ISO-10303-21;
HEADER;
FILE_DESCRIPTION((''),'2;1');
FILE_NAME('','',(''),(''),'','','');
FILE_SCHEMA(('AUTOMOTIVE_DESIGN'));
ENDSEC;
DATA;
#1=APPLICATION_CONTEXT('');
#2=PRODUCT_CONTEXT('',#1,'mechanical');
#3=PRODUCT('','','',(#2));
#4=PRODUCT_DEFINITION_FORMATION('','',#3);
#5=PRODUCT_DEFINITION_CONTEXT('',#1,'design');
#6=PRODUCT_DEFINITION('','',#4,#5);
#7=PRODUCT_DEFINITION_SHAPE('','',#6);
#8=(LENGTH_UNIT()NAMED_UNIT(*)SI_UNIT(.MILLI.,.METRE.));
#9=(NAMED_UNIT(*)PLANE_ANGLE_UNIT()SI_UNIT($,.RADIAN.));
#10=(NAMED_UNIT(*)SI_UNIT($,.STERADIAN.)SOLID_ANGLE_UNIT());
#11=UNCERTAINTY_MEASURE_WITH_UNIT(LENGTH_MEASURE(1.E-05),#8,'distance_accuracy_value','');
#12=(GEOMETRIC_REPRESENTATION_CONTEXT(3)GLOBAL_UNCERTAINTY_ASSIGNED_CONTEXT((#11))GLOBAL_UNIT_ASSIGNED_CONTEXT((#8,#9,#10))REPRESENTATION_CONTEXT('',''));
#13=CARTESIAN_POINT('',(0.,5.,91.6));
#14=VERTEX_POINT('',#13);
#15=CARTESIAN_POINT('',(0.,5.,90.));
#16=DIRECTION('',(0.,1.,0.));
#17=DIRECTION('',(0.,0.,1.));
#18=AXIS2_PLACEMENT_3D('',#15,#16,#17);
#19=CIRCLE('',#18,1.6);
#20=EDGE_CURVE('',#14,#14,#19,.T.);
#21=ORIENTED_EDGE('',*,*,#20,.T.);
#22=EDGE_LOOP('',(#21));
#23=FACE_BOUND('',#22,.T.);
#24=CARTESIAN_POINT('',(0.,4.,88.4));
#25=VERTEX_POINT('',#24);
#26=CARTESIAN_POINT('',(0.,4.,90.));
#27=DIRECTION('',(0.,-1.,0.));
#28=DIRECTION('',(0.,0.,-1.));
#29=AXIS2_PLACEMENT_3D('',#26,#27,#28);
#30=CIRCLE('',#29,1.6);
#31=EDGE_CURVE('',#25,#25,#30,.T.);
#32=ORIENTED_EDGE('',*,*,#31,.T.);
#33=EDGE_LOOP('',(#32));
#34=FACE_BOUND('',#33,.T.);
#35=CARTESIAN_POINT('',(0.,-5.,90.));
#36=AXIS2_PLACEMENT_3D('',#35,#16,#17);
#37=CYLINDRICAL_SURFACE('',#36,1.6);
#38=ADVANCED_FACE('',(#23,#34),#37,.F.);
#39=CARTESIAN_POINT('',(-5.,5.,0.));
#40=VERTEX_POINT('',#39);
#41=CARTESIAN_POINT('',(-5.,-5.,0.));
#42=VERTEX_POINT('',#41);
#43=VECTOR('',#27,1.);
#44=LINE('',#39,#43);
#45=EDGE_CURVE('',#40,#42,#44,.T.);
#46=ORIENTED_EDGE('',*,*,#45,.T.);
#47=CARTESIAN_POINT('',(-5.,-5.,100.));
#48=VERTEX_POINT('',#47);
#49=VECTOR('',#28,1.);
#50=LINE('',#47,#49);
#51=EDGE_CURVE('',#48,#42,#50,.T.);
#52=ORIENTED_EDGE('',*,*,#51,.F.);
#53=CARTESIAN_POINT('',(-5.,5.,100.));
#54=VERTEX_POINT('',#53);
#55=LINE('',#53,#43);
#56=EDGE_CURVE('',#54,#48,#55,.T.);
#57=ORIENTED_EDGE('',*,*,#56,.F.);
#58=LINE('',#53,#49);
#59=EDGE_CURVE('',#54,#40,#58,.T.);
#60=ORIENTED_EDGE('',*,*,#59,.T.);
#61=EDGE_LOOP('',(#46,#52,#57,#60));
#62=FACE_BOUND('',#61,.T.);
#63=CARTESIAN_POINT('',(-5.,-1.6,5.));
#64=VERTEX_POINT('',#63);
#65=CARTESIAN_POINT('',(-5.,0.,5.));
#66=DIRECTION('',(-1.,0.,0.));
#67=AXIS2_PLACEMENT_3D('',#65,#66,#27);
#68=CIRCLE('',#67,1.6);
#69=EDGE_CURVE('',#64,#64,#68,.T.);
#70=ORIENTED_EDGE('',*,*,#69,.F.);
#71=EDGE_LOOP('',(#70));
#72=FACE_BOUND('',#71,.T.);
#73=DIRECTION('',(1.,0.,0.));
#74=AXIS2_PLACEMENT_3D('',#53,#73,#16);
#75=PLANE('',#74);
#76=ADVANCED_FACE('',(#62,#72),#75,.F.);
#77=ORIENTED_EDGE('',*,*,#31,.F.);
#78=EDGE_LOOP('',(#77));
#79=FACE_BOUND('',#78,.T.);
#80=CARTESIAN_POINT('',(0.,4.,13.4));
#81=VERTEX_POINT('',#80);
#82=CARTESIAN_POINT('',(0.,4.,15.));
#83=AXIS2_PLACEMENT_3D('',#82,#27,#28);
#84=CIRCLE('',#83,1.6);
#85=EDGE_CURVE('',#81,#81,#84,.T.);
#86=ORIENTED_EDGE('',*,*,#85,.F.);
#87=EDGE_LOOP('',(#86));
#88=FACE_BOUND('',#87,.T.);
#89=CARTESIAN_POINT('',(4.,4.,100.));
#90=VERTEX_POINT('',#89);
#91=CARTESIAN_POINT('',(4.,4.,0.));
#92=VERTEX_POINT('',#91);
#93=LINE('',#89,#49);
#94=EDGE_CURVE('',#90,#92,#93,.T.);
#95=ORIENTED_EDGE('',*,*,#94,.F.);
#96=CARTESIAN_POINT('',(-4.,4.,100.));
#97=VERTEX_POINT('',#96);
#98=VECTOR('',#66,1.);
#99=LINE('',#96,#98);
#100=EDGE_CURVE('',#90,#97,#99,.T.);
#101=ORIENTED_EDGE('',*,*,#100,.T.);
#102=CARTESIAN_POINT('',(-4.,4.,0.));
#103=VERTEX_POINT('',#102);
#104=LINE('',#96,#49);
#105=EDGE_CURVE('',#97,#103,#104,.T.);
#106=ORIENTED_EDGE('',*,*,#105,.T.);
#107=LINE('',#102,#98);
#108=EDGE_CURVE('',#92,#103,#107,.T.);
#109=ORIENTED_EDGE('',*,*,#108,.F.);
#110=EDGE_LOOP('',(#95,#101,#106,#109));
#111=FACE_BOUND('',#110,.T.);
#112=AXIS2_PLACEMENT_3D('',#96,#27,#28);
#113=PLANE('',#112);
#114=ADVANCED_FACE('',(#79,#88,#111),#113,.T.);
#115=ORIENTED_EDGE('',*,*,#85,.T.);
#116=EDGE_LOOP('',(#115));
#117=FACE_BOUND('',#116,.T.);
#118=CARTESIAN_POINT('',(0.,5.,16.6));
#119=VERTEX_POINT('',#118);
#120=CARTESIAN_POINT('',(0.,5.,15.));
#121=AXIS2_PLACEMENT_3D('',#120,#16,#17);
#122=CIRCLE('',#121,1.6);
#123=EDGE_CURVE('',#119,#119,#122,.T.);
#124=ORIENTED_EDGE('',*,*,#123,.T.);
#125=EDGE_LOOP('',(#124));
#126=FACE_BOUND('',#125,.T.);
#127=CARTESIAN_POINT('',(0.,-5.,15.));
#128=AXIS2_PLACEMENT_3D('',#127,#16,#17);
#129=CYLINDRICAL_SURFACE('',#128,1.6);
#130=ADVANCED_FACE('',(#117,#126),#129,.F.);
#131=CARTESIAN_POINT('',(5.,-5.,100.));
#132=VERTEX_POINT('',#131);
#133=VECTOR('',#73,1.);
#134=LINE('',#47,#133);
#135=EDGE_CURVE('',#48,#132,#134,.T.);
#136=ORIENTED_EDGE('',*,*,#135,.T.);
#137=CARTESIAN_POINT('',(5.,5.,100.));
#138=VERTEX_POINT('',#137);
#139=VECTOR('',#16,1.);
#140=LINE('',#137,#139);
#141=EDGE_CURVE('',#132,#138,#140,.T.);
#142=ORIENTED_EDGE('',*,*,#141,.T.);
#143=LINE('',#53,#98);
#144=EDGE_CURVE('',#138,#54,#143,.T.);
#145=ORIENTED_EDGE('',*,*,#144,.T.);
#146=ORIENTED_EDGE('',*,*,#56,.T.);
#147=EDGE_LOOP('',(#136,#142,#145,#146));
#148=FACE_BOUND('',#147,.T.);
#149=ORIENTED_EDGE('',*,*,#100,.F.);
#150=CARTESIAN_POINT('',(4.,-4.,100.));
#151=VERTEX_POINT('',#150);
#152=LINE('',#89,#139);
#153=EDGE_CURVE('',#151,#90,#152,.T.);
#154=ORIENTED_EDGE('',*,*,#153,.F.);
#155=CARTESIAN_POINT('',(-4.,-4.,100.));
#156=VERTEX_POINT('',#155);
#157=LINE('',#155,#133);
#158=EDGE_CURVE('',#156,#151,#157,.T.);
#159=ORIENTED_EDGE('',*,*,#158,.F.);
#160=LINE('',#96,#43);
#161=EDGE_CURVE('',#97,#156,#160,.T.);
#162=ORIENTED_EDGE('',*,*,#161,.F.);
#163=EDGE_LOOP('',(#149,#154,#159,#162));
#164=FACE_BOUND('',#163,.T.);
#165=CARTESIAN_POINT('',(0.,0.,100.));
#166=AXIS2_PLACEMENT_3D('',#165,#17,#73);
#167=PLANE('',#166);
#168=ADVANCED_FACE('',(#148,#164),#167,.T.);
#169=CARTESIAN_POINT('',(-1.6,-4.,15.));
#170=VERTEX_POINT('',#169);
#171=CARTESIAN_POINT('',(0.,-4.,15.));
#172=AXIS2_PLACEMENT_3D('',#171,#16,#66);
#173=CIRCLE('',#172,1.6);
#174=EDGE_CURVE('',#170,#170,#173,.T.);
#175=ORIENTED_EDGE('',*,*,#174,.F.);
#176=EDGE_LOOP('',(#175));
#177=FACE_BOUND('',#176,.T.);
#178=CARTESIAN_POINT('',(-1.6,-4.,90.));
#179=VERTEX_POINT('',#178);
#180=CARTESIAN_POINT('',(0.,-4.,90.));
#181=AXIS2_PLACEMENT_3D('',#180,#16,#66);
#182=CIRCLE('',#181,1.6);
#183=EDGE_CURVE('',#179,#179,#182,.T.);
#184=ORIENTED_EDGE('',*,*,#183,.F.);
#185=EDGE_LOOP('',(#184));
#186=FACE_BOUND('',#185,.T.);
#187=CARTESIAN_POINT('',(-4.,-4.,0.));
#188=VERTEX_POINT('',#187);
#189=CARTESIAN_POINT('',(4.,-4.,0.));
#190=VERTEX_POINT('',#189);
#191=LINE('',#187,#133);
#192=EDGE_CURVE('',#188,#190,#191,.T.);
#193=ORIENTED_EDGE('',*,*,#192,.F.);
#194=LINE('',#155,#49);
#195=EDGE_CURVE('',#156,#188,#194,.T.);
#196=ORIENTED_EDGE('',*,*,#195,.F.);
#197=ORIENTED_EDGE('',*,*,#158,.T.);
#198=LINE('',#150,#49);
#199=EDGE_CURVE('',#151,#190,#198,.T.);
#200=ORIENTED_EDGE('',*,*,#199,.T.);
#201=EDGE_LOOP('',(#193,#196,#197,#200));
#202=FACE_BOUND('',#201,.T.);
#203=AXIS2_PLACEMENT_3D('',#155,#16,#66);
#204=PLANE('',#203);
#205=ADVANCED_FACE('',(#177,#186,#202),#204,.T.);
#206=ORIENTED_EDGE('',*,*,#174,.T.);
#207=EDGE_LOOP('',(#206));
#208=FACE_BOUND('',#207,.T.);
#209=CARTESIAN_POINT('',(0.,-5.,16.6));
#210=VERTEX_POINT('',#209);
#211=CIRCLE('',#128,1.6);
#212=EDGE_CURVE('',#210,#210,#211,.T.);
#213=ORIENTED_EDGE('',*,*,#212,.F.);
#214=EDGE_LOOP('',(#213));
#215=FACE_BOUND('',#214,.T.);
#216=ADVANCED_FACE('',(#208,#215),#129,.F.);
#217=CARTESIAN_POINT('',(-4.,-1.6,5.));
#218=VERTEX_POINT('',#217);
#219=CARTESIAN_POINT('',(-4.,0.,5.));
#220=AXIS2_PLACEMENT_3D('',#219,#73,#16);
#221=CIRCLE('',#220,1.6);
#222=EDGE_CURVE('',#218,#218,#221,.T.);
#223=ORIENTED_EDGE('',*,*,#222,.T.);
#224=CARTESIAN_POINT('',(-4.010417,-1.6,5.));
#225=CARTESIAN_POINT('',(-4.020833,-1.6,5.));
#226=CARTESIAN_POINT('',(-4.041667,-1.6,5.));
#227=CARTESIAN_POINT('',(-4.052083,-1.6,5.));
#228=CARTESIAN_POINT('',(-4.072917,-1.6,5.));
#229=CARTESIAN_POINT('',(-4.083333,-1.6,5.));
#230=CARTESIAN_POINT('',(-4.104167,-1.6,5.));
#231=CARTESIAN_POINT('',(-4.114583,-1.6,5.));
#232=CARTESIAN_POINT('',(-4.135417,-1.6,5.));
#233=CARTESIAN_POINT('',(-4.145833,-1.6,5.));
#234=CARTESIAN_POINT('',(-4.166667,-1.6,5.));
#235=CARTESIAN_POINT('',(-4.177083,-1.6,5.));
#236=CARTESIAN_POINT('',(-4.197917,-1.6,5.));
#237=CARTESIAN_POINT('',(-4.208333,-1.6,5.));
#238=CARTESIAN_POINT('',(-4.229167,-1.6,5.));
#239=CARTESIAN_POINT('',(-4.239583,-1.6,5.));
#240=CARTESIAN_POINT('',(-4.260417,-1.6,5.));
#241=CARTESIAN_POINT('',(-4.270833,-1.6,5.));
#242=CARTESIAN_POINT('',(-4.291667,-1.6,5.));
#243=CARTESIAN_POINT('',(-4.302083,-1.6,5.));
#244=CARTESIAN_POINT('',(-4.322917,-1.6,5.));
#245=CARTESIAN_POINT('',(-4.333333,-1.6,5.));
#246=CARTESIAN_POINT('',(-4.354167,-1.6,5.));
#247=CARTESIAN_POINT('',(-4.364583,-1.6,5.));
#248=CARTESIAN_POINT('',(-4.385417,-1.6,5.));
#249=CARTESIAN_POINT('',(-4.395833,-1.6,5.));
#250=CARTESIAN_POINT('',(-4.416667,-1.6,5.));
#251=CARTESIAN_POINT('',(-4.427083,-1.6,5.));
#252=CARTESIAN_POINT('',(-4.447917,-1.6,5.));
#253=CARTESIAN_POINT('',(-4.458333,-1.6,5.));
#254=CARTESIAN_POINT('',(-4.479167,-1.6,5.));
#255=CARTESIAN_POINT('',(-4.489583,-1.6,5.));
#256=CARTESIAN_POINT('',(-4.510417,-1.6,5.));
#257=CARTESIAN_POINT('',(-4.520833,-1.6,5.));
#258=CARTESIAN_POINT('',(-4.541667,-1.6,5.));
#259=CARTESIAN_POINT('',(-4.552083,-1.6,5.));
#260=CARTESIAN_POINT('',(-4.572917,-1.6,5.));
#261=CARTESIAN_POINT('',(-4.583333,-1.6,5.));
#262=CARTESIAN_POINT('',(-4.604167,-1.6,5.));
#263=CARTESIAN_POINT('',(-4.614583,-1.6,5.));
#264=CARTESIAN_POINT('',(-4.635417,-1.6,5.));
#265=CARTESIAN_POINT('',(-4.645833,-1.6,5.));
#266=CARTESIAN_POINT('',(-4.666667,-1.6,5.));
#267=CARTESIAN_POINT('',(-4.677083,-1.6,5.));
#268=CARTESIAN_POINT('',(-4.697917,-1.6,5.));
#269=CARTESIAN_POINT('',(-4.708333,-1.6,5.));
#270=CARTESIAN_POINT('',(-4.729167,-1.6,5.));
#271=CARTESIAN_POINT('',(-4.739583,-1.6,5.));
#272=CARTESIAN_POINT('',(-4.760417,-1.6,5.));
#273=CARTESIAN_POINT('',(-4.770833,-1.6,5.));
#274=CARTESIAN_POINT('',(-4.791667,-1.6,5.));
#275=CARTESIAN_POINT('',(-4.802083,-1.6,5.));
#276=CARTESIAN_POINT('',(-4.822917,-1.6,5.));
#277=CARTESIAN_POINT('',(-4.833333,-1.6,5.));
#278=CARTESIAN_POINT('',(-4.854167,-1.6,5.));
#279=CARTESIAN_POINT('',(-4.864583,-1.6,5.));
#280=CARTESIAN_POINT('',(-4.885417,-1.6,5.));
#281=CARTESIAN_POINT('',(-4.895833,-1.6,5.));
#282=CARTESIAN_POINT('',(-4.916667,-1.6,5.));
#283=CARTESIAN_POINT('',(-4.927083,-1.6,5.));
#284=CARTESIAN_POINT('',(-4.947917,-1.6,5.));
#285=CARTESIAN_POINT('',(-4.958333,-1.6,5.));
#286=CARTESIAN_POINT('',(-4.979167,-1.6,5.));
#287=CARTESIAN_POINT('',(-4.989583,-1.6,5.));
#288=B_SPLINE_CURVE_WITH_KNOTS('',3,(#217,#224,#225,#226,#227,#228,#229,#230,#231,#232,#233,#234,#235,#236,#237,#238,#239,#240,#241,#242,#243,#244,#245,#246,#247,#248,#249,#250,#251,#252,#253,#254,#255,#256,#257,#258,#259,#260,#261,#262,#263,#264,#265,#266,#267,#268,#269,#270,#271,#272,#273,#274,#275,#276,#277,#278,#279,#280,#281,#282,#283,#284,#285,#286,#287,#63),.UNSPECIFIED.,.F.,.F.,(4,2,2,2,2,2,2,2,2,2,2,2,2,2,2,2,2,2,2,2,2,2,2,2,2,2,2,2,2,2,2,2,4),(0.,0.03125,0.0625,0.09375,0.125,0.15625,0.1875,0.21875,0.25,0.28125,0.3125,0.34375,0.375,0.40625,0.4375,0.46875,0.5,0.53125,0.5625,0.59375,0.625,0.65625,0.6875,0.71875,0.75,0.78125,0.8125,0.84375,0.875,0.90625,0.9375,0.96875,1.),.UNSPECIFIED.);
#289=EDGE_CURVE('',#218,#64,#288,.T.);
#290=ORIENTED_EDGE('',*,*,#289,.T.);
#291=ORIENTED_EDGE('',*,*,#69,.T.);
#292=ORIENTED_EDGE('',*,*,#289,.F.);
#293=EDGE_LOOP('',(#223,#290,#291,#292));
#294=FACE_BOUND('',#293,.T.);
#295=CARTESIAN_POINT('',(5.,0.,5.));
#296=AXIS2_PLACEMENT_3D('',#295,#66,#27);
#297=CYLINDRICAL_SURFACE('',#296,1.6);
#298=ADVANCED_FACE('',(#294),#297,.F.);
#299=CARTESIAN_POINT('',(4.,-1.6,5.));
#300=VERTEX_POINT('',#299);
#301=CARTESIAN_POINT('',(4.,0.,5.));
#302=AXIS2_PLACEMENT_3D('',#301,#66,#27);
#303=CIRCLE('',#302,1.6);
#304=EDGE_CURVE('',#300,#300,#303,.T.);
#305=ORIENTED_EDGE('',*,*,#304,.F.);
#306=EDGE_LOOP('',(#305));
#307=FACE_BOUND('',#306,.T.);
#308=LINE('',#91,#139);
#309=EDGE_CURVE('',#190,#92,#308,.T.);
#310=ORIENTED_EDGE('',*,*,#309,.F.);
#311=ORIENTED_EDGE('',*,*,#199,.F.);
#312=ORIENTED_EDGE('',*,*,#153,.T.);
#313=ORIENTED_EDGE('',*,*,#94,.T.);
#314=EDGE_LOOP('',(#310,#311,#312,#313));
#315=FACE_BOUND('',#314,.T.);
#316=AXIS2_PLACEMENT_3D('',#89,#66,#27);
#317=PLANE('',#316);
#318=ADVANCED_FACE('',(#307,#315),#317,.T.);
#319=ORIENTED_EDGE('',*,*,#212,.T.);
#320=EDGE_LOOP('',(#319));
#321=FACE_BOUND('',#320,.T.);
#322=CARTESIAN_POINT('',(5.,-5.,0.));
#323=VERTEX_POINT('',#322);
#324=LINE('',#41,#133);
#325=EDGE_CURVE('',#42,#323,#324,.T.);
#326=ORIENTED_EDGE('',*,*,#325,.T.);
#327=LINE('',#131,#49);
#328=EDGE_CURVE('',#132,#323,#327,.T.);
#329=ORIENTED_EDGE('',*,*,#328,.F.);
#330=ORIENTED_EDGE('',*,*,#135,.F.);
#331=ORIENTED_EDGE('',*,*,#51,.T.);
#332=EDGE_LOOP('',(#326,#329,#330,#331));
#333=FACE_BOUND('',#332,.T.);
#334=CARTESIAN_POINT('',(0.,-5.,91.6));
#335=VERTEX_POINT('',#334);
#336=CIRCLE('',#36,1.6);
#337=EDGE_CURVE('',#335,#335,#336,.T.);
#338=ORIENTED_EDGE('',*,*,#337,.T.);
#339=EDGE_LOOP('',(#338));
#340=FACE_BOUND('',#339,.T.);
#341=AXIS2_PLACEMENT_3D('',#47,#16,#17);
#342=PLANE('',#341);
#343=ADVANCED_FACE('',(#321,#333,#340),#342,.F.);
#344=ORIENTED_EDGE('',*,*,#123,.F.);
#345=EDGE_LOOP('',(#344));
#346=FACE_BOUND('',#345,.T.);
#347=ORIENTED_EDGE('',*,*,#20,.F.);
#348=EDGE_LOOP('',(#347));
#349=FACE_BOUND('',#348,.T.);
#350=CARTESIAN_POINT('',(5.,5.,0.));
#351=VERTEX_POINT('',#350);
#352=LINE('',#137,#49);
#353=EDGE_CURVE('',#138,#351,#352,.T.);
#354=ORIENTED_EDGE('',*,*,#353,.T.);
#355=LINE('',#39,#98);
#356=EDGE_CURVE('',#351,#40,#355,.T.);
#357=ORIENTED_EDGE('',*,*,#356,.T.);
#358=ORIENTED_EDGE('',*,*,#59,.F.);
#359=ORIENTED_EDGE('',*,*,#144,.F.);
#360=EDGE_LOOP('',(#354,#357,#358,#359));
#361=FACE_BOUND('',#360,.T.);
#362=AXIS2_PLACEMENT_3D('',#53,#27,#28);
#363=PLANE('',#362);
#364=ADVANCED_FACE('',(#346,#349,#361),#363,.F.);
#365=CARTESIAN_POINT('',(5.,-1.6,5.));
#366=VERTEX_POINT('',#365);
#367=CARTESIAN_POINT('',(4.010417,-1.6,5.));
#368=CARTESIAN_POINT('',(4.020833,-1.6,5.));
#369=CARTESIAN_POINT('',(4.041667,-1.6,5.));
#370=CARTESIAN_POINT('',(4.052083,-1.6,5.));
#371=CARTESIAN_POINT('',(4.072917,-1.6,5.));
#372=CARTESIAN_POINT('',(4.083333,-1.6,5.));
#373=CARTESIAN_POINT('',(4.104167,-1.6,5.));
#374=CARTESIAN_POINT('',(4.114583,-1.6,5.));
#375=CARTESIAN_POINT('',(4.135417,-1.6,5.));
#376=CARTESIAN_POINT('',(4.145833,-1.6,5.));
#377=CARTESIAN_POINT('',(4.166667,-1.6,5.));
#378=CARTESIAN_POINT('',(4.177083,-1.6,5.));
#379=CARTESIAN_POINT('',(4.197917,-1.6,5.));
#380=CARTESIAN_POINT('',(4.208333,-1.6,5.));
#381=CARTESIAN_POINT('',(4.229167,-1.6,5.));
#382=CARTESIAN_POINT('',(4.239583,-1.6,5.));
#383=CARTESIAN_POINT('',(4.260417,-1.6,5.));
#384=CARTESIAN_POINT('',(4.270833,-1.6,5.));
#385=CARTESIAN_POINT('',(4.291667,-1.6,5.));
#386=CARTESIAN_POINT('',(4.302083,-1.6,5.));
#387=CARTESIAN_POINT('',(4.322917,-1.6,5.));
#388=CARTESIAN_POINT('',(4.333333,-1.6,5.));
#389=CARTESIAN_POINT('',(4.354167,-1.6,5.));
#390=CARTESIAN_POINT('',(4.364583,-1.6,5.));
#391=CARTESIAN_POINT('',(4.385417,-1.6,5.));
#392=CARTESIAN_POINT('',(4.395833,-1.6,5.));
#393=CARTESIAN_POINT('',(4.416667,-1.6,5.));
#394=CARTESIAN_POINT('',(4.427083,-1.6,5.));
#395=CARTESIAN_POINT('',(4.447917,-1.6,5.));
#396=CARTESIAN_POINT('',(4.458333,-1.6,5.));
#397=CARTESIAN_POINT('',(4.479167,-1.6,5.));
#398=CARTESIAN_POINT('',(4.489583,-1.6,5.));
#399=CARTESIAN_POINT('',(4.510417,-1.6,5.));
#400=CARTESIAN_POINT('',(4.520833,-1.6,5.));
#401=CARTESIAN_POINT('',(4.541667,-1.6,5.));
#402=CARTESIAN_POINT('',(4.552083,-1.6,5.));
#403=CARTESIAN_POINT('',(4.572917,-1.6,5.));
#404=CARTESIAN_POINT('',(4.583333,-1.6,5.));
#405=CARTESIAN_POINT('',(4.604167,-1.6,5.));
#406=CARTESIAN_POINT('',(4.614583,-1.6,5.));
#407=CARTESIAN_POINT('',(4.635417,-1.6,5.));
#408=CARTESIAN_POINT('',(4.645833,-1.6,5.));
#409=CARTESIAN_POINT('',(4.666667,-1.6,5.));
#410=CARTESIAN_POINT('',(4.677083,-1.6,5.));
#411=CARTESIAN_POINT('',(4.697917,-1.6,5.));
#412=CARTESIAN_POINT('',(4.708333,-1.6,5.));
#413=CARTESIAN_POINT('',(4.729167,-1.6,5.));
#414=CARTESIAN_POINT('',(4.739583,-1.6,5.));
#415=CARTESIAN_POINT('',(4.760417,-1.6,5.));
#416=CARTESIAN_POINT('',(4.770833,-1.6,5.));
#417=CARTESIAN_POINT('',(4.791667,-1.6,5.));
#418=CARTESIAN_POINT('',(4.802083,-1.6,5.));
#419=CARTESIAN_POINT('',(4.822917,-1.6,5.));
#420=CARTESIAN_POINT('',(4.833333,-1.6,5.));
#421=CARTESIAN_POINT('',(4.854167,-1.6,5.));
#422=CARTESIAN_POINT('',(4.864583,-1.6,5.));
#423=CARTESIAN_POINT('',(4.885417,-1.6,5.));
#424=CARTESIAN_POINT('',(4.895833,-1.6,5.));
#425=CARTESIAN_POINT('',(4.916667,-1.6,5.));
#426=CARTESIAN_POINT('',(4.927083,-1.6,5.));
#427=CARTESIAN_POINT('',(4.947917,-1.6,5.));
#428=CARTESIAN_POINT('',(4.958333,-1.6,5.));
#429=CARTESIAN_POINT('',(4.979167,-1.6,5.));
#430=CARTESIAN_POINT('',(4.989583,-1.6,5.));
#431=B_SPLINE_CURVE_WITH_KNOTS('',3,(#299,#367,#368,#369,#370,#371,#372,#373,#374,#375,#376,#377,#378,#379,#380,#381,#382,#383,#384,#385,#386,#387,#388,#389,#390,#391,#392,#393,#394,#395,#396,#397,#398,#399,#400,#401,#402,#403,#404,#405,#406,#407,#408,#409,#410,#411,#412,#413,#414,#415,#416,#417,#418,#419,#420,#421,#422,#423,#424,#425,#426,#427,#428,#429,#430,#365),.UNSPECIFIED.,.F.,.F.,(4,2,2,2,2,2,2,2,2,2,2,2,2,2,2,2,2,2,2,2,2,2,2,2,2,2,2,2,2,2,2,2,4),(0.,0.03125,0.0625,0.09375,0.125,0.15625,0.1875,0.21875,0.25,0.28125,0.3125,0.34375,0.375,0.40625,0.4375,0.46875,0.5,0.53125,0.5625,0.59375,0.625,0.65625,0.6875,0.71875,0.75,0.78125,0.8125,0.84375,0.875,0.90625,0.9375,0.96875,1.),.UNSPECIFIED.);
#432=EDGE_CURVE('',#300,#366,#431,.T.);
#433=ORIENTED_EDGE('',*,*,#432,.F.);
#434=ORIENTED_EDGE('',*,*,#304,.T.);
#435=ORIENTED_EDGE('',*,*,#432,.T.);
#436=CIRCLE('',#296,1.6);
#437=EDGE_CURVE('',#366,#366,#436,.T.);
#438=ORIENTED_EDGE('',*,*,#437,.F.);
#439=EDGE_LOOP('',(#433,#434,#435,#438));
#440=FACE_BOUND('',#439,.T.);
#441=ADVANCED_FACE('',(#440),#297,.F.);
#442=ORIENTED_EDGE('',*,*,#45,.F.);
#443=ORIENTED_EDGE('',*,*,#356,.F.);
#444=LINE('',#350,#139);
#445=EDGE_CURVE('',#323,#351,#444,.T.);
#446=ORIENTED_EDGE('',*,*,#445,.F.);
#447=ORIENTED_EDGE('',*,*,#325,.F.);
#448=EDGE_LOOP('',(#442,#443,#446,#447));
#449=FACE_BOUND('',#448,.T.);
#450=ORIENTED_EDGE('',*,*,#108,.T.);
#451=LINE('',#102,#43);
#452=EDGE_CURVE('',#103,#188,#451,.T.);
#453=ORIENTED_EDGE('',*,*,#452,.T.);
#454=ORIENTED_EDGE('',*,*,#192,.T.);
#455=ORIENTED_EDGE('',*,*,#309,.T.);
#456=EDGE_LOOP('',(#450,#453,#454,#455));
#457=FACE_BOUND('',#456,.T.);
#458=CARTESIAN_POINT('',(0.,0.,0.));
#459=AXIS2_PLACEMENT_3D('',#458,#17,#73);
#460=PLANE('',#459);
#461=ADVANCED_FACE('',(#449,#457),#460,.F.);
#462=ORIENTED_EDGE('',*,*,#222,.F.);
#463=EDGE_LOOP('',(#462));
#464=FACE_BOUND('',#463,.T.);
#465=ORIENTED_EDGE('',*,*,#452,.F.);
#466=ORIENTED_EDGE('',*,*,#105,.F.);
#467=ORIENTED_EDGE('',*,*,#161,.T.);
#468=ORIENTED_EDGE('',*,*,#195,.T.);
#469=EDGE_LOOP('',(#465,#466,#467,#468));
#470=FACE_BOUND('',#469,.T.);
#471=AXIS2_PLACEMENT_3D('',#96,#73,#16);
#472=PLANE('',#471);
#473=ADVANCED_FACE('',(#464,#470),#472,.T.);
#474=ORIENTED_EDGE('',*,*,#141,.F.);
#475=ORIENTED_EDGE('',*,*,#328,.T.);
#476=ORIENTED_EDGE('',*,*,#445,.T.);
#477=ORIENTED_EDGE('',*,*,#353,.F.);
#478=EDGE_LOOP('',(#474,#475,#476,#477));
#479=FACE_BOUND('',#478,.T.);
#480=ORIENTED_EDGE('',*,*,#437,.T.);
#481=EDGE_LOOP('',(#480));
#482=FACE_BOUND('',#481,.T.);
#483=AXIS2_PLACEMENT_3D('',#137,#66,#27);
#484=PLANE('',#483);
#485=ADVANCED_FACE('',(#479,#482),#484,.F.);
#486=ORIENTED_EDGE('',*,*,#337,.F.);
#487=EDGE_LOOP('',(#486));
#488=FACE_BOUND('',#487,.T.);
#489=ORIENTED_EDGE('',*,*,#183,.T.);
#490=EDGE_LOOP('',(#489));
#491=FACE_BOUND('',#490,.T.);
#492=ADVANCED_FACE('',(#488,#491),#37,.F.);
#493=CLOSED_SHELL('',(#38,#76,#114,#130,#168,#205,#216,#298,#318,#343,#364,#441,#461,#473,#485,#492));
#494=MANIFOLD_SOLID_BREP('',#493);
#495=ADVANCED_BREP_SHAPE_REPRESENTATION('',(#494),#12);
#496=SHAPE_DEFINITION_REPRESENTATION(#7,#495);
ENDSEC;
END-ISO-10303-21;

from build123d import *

# Parameters (mm, degrees)
SKETCH_1_W          = 10
SKETCH_1_H          = 10
SKETCH_1_W_2        = 8
SKETCH_1_H_2        = 8
EXTRUDE_1_DEPTH     = 100
SKETCH_2_R          = 1.6
CUT_EXTRUDE_1_DEPTH = 101.623058987
SKETCH_3_R          = 1.6
CUT_EXTRUDE_2_DEPTH = 101.623058987
SKETCH_5_R          = 1.6
CUT_EXTRUDE_4_DEPTH = 101.623058987


with BuildPart() as part:
    # ｽｹｯﾁ1 → ﾎﾞｽ - 押し出し1 (new body)
    with BuildSketch(Plane.XY):
        Rectangle(SKETCH_1_W, SKETCH_1_H)
        Rectangle(SKETCH_1_W_2, SKETCH_1_H_2, mode=Mode.SUBTRACT)
    extrude(amount=EXTRUDE_1_DEPTH)

    # ｽｹｯﾁ2 → ｶｯﾄ - 押し出し1 (cut, through all)
    with BuildSketch(Plane.ZY.offset(5)):
        with Locations(Location((5, 0, 0), (0, 0, 270))):
            Circle(SKETCH_2_R)
    extrude(amount=-CUT_EXTRUDE_1_DEPTH, mode=Mode.SUBTRACT)

    # ｽｹｯﾁ3 → ｶｯﾄ - 押し出し2 (cut, through all)
    with BuildSketch(Plane(origin=(0, 5, 0), x_dir=(1, 0, 0), z_dir=(0, 1, 0))):
        with Locations(Location((0, -90, 0), (0, 0, 270))):
            Circle(SKETCH_3_R)
    extrude(amount=-CUT_EXTRUDE_2_DEPTH, mode=Mode.SUBTRACT)

    # ｽｹｯﾁ5 → ｶｯﾄ - 押し出し4 (cut, through all)
    with BuildSketch(Plane(origin=(0, 5, 0), x_dir=(1, 0, 0), z_dir=(0, 1, 0))):
        with Locations(Location((0, -15, 0), (0, 0, 270))):
            Circle(SKETCH_5_R)
    extrude(amount=-CUT_EXTRUDE_4_DEPTH, mode=Mode.SUBTRACT)


solid = part.part
